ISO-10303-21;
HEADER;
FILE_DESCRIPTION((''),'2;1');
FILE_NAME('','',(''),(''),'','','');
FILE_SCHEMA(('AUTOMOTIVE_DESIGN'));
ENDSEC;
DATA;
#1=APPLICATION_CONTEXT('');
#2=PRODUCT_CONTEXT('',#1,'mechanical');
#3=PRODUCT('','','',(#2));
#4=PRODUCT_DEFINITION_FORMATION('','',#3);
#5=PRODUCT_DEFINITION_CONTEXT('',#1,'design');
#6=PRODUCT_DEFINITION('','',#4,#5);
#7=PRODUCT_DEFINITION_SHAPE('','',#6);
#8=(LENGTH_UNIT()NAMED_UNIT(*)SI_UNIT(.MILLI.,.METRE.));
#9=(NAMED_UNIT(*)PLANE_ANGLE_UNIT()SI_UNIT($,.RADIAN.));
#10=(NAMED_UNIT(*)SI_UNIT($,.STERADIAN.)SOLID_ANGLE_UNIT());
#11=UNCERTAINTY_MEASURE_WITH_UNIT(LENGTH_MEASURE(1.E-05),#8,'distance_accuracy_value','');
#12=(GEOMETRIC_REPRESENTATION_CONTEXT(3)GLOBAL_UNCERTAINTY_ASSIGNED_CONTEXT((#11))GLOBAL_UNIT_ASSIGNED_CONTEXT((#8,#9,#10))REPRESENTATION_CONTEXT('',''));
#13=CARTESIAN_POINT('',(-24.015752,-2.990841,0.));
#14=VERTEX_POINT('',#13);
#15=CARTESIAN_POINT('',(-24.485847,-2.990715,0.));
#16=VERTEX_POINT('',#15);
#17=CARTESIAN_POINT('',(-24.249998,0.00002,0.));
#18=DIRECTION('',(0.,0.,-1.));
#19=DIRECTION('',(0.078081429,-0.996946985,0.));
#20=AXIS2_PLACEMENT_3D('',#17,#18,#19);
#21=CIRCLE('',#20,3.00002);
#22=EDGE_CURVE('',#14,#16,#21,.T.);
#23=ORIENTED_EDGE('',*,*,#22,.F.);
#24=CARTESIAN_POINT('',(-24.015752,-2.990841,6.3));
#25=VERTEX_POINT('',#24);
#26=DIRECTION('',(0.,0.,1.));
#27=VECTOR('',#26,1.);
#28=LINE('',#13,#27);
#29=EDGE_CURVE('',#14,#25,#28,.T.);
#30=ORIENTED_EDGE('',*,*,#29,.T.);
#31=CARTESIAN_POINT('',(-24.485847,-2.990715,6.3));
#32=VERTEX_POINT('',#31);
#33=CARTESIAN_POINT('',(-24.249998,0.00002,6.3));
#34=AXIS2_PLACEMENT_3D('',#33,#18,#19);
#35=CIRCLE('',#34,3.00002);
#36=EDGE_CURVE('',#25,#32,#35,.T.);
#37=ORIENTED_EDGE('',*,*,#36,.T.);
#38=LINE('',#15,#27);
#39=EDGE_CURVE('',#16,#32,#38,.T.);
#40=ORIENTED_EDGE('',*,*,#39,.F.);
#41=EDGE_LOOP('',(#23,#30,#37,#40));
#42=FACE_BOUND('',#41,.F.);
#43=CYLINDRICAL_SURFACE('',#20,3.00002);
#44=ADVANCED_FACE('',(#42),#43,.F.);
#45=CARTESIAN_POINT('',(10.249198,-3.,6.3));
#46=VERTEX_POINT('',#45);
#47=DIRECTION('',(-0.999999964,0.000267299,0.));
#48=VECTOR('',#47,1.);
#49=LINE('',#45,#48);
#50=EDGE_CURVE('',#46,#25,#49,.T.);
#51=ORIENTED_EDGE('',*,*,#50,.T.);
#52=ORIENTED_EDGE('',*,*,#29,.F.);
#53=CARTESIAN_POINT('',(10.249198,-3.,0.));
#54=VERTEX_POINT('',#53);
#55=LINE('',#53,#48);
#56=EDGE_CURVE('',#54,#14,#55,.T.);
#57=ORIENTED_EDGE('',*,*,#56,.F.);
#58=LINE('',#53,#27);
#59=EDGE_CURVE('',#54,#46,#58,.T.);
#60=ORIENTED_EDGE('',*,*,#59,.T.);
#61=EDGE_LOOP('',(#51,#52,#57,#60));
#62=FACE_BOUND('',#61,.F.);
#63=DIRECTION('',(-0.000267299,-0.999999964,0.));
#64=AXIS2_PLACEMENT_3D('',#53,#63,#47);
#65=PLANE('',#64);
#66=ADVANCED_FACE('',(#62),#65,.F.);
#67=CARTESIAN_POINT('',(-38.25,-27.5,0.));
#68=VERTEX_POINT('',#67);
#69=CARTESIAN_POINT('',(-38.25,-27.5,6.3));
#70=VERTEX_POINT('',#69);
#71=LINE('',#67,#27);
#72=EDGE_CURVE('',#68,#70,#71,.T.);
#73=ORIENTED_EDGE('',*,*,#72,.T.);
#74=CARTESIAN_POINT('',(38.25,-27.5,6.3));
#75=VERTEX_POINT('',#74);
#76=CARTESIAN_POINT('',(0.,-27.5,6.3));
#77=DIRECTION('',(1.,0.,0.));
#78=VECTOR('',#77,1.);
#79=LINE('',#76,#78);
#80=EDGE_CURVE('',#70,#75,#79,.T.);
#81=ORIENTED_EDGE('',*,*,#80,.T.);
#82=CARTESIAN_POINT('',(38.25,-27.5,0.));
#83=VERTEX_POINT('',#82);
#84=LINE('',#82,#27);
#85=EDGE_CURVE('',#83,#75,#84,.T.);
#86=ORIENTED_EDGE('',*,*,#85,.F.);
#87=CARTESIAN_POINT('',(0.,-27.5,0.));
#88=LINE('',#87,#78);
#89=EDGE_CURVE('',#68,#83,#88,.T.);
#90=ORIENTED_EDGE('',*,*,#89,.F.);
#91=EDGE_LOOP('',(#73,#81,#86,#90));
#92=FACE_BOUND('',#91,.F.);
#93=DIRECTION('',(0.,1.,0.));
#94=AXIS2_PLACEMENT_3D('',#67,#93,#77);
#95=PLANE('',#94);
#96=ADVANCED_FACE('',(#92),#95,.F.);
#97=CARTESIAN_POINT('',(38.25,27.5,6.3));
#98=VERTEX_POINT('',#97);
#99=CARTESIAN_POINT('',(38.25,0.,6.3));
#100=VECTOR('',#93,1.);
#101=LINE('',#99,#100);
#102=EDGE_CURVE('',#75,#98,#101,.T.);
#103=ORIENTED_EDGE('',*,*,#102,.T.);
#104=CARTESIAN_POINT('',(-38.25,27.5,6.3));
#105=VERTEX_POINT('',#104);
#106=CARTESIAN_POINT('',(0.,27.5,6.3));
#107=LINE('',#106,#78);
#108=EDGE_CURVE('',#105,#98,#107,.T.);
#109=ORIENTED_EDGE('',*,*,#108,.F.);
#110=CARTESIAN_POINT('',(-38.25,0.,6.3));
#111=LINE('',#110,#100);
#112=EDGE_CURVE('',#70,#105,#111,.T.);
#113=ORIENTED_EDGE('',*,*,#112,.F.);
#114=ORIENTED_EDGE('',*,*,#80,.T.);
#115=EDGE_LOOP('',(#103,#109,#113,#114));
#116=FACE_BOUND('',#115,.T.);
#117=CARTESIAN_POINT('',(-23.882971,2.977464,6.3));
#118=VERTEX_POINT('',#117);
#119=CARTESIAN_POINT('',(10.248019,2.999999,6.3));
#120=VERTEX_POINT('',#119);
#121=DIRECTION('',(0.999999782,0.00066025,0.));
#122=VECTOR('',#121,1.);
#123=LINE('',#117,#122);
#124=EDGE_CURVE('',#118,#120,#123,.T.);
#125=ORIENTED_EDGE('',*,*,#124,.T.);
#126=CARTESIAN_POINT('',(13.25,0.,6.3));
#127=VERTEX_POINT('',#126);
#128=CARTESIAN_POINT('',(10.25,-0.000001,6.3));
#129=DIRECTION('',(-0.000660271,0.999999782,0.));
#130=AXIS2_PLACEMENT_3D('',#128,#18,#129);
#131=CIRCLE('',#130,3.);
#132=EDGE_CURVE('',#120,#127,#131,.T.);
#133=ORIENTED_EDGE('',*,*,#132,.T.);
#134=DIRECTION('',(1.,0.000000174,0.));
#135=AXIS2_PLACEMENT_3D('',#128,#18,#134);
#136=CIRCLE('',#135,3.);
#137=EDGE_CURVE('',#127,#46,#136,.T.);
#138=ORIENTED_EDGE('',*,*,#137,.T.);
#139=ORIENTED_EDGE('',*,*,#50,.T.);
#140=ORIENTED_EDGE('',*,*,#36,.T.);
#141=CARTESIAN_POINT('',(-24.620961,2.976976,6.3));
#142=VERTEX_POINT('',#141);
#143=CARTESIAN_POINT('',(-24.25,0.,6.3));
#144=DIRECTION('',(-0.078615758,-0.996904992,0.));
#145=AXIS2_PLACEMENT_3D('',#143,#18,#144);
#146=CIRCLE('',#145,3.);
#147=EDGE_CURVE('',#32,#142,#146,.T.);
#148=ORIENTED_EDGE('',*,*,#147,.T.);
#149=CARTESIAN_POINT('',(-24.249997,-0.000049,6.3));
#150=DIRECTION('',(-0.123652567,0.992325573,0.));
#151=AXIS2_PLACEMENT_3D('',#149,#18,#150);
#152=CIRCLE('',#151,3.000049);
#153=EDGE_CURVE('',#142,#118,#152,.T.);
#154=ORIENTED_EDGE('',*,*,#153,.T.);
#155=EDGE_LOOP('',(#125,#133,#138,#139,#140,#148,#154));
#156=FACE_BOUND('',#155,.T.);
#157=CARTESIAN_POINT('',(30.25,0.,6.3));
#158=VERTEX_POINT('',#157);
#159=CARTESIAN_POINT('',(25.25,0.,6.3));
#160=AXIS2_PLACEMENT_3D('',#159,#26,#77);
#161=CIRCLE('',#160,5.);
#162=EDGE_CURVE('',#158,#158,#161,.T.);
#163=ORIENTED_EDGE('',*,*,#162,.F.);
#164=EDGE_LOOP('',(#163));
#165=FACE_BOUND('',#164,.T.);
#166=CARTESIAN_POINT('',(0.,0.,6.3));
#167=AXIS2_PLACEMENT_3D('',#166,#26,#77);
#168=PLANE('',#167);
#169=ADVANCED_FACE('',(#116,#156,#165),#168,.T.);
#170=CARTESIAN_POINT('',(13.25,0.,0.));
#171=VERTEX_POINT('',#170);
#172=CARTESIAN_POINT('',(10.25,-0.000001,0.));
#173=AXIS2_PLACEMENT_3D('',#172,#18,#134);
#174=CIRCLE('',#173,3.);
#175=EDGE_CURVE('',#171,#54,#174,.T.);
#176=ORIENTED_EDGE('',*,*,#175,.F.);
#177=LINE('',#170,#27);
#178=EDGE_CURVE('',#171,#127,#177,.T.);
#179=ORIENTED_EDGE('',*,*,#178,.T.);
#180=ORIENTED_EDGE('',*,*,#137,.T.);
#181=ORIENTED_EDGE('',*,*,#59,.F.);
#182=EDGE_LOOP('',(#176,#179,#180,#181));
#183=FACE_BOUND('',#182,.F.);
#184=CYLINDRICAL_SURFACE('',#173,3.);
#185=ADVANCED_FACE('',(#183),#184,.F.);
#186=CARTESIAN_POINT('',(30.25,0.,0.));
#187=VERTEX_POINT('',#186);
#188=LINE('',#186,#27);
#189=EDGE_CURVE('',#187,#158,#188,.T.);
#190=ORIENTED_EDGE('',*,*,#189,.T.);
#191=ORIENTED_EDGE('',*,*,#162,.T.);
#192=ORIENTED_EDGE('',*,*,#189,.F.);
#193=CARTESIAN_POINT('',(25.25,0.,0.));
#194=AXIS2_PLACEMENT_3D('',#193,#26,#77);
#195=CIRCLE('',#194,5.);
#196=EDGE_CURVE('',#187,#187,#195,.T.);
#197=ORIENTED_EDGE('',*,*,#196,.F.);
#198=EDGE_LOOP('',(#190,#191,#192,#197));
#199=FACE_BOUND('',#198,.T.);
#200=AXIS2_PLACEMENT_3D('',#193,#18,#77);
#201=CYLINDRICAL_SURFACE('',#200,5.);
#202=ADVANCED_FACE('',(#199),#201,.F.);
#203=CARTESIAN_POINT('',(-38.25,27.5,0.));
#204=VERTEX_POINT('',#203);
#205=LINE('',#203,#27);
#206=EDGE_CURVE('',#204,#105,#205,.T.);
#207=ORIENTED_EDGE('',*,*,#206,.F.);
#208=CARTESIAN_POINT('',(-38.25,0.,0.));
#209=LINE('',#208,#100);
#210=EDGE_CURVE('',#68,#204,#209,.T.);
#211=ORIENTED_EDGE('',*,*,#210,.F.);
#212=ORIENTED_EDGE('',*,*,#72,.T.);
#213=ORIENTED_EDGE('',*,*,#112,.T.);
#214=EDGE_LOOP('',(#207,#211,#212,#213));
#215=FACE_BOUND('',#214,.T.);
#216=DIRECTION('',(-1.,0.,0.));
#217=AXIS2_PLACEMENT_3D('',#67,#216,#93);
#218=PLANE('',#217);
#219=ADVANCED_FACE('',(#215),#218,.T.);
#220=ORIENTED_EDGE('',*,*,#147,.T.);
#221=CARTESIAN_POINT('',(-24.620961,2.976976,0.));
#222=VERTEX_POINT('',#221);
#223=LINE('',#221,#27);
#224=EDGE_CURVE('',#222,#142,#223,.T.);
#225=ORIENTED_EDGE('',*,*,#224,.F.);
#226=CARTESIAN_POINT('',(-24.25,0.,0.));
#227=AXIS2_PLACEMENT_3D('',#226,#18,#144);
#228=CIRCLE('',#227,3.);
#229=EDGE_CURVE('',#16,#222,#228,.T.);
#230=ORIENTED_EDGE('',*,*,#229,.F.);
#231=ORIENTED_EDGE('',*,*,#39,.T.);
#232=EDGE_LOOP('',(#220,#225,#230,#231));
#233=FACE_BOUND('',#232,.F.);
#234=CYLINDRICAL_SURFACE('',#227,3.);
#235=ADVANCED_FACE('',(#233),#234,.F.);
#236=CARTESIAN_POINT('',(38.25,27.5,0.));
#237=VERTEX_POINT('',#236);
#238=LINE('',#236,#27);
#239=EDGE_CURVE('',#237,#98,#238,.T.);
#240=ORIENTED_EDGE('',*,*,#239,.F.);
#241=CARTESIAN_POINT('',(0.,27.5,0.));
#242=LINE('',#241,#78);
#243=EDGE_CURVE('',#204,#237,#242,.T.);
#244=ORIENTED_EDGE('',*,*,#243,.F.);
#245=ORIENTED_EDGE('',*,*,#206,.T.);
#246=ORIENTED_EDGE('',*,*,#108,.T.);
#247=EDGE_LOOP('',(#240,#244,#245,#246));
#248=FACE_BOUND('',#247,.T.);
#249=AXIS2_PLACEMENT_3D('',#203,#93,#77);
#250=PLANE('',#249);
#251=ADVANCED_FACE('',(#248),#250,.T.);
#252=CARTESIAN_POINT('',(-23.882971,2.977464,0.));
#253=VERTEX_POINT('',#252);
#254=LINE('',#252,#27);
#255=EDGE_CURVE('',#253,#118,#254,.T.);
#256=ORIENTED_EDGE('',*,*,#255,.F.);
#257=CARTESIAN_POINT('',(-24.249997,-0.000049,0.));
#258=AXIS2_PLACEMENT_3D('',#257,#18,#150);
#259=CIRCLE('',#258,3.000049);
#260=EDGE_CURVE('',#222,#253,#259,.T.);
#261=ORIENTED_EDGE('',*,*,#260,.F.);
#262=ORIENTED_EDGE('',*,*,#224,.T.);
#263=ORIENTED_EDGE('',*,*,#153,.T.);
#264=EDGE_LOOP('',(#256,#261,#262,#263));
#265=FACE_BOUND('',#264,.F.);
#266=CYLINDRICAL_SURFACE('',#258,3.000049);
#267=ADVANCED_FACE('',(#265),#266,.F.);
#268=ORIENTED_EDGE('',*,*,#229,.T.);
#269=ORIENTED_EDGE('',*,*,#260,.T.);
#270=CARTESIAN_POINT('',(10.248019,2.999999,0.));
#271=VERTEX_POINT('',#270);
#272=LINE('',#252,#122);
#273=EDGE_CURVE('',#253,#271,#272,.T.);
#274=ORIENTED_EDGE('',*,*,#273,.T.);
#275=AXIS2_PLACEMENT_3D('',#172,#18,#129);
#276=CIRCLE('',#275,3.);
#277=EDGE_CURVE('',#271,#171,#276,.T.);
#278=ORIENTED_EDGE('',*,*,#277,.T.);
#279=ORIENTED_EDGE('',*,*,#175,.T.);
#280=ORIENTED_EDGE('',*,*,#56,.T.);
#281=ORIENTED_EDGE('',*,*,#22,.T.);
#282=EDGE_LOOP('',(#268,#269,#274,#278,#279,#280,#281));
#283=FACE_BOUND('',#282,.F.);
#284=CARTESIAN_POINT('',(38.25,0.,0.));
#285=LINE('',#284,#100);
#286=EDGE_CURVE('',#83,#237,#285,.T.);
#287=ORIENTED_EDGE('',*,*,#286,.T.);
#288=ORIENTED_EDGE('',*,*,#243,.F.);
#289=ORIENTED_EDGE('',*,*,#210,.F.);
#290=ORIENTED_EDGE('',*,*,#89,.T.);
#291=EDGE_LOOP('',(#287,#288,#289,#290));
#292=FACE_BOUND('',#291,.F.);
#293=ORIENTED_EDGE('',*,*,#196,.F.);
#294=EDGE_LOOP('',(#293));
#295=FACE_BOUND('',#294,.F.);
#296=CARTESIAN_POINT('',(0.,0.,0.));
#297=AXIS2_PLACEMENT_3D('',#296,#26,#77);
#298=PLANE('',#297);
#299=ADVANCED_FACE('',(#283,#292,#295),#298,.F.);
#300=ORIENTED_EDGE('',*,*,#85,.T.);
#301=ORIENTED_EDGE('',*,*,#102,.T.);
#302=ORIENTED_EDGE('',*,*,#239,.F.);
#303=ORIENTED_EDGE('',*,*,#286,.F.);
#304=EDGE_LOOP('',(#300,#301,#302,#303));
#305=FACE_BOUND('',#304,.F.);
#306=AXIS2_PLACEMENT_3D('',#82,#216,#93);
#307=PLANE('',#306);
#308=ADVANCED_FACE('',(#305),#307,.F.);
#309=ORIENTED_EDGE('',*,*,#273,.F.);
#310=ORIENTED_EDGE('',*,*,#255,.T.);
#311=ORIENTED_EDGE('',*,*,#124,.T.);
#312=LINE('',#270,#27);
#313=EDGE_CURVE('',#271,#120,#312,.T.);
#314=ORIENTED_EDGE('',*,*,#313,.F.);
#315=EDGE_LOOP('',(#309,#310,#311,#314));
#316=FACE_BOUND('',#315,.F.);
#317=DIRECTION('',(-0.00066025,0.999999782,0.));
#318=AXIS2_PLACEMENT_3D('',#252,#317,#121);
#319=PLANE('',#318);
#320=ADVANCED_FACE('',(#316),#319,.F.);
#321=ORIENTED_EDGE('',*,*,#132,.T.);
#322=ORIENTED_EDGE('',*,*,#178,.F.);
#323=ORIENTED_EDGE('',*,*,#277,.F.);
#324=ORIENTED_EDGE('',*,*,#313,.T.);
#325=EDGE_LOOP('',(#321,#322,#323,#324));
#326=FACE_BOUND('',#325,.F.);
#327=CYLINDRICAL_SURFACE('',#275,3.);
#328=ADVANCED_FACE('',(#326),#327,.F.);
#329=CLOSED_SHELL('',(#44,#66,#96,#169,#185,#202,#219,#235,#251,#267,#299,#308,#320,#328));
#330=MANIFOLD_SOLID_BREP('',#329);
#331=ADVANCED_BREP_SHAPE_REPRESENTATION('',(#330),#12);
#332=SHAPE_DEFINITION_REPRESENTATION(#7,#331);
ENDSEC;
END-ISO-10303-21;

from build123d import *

# Parameters (mm, degrees)
F0_W     = 76.5
F0_H     = 55
F0_R     = 5
F1_DEPTH = 6.3


with BuildPart() as f1:
    # F0 (on Top) → F1 (new body)
    with BuildSketch(Plane.XY):
        Rectangle(F0_W, F0_H)
        with BuildLine():
            ThreePointArc((10.248019, 2.999999), (12.37062, 2.12202), (13.25, 0))
            ThreePointArc((13.25, 0), (12.371037, -2.121604), (10.249198, -3))
            Line((10.249198, -3), (-24.015752, -2.990841))
            ThreePointArc((-24.015752, -2.990841), (-24.250802, -3), (-24.485847, -2.990715))
            ThreePointArc((-24.485847, -2.990715), (-27.249231, -0.067905), (-24.620961, 2.976976))
            ThreePointArc((-24.620961, 2.976976), (-24.251981, 2.999999), (-23.882971, 2.977464))
            Line((-23.882971, 2.977464), (10.248019, 2.999999))
        make_face(mode=Mode.SUBTRACT)
        with Locations((25.25, 0)):
            Circle(F0_R, mode=Mode.SUBTRACT)
    extrude(amount=F1_DEPTH)


solid = f1.part
